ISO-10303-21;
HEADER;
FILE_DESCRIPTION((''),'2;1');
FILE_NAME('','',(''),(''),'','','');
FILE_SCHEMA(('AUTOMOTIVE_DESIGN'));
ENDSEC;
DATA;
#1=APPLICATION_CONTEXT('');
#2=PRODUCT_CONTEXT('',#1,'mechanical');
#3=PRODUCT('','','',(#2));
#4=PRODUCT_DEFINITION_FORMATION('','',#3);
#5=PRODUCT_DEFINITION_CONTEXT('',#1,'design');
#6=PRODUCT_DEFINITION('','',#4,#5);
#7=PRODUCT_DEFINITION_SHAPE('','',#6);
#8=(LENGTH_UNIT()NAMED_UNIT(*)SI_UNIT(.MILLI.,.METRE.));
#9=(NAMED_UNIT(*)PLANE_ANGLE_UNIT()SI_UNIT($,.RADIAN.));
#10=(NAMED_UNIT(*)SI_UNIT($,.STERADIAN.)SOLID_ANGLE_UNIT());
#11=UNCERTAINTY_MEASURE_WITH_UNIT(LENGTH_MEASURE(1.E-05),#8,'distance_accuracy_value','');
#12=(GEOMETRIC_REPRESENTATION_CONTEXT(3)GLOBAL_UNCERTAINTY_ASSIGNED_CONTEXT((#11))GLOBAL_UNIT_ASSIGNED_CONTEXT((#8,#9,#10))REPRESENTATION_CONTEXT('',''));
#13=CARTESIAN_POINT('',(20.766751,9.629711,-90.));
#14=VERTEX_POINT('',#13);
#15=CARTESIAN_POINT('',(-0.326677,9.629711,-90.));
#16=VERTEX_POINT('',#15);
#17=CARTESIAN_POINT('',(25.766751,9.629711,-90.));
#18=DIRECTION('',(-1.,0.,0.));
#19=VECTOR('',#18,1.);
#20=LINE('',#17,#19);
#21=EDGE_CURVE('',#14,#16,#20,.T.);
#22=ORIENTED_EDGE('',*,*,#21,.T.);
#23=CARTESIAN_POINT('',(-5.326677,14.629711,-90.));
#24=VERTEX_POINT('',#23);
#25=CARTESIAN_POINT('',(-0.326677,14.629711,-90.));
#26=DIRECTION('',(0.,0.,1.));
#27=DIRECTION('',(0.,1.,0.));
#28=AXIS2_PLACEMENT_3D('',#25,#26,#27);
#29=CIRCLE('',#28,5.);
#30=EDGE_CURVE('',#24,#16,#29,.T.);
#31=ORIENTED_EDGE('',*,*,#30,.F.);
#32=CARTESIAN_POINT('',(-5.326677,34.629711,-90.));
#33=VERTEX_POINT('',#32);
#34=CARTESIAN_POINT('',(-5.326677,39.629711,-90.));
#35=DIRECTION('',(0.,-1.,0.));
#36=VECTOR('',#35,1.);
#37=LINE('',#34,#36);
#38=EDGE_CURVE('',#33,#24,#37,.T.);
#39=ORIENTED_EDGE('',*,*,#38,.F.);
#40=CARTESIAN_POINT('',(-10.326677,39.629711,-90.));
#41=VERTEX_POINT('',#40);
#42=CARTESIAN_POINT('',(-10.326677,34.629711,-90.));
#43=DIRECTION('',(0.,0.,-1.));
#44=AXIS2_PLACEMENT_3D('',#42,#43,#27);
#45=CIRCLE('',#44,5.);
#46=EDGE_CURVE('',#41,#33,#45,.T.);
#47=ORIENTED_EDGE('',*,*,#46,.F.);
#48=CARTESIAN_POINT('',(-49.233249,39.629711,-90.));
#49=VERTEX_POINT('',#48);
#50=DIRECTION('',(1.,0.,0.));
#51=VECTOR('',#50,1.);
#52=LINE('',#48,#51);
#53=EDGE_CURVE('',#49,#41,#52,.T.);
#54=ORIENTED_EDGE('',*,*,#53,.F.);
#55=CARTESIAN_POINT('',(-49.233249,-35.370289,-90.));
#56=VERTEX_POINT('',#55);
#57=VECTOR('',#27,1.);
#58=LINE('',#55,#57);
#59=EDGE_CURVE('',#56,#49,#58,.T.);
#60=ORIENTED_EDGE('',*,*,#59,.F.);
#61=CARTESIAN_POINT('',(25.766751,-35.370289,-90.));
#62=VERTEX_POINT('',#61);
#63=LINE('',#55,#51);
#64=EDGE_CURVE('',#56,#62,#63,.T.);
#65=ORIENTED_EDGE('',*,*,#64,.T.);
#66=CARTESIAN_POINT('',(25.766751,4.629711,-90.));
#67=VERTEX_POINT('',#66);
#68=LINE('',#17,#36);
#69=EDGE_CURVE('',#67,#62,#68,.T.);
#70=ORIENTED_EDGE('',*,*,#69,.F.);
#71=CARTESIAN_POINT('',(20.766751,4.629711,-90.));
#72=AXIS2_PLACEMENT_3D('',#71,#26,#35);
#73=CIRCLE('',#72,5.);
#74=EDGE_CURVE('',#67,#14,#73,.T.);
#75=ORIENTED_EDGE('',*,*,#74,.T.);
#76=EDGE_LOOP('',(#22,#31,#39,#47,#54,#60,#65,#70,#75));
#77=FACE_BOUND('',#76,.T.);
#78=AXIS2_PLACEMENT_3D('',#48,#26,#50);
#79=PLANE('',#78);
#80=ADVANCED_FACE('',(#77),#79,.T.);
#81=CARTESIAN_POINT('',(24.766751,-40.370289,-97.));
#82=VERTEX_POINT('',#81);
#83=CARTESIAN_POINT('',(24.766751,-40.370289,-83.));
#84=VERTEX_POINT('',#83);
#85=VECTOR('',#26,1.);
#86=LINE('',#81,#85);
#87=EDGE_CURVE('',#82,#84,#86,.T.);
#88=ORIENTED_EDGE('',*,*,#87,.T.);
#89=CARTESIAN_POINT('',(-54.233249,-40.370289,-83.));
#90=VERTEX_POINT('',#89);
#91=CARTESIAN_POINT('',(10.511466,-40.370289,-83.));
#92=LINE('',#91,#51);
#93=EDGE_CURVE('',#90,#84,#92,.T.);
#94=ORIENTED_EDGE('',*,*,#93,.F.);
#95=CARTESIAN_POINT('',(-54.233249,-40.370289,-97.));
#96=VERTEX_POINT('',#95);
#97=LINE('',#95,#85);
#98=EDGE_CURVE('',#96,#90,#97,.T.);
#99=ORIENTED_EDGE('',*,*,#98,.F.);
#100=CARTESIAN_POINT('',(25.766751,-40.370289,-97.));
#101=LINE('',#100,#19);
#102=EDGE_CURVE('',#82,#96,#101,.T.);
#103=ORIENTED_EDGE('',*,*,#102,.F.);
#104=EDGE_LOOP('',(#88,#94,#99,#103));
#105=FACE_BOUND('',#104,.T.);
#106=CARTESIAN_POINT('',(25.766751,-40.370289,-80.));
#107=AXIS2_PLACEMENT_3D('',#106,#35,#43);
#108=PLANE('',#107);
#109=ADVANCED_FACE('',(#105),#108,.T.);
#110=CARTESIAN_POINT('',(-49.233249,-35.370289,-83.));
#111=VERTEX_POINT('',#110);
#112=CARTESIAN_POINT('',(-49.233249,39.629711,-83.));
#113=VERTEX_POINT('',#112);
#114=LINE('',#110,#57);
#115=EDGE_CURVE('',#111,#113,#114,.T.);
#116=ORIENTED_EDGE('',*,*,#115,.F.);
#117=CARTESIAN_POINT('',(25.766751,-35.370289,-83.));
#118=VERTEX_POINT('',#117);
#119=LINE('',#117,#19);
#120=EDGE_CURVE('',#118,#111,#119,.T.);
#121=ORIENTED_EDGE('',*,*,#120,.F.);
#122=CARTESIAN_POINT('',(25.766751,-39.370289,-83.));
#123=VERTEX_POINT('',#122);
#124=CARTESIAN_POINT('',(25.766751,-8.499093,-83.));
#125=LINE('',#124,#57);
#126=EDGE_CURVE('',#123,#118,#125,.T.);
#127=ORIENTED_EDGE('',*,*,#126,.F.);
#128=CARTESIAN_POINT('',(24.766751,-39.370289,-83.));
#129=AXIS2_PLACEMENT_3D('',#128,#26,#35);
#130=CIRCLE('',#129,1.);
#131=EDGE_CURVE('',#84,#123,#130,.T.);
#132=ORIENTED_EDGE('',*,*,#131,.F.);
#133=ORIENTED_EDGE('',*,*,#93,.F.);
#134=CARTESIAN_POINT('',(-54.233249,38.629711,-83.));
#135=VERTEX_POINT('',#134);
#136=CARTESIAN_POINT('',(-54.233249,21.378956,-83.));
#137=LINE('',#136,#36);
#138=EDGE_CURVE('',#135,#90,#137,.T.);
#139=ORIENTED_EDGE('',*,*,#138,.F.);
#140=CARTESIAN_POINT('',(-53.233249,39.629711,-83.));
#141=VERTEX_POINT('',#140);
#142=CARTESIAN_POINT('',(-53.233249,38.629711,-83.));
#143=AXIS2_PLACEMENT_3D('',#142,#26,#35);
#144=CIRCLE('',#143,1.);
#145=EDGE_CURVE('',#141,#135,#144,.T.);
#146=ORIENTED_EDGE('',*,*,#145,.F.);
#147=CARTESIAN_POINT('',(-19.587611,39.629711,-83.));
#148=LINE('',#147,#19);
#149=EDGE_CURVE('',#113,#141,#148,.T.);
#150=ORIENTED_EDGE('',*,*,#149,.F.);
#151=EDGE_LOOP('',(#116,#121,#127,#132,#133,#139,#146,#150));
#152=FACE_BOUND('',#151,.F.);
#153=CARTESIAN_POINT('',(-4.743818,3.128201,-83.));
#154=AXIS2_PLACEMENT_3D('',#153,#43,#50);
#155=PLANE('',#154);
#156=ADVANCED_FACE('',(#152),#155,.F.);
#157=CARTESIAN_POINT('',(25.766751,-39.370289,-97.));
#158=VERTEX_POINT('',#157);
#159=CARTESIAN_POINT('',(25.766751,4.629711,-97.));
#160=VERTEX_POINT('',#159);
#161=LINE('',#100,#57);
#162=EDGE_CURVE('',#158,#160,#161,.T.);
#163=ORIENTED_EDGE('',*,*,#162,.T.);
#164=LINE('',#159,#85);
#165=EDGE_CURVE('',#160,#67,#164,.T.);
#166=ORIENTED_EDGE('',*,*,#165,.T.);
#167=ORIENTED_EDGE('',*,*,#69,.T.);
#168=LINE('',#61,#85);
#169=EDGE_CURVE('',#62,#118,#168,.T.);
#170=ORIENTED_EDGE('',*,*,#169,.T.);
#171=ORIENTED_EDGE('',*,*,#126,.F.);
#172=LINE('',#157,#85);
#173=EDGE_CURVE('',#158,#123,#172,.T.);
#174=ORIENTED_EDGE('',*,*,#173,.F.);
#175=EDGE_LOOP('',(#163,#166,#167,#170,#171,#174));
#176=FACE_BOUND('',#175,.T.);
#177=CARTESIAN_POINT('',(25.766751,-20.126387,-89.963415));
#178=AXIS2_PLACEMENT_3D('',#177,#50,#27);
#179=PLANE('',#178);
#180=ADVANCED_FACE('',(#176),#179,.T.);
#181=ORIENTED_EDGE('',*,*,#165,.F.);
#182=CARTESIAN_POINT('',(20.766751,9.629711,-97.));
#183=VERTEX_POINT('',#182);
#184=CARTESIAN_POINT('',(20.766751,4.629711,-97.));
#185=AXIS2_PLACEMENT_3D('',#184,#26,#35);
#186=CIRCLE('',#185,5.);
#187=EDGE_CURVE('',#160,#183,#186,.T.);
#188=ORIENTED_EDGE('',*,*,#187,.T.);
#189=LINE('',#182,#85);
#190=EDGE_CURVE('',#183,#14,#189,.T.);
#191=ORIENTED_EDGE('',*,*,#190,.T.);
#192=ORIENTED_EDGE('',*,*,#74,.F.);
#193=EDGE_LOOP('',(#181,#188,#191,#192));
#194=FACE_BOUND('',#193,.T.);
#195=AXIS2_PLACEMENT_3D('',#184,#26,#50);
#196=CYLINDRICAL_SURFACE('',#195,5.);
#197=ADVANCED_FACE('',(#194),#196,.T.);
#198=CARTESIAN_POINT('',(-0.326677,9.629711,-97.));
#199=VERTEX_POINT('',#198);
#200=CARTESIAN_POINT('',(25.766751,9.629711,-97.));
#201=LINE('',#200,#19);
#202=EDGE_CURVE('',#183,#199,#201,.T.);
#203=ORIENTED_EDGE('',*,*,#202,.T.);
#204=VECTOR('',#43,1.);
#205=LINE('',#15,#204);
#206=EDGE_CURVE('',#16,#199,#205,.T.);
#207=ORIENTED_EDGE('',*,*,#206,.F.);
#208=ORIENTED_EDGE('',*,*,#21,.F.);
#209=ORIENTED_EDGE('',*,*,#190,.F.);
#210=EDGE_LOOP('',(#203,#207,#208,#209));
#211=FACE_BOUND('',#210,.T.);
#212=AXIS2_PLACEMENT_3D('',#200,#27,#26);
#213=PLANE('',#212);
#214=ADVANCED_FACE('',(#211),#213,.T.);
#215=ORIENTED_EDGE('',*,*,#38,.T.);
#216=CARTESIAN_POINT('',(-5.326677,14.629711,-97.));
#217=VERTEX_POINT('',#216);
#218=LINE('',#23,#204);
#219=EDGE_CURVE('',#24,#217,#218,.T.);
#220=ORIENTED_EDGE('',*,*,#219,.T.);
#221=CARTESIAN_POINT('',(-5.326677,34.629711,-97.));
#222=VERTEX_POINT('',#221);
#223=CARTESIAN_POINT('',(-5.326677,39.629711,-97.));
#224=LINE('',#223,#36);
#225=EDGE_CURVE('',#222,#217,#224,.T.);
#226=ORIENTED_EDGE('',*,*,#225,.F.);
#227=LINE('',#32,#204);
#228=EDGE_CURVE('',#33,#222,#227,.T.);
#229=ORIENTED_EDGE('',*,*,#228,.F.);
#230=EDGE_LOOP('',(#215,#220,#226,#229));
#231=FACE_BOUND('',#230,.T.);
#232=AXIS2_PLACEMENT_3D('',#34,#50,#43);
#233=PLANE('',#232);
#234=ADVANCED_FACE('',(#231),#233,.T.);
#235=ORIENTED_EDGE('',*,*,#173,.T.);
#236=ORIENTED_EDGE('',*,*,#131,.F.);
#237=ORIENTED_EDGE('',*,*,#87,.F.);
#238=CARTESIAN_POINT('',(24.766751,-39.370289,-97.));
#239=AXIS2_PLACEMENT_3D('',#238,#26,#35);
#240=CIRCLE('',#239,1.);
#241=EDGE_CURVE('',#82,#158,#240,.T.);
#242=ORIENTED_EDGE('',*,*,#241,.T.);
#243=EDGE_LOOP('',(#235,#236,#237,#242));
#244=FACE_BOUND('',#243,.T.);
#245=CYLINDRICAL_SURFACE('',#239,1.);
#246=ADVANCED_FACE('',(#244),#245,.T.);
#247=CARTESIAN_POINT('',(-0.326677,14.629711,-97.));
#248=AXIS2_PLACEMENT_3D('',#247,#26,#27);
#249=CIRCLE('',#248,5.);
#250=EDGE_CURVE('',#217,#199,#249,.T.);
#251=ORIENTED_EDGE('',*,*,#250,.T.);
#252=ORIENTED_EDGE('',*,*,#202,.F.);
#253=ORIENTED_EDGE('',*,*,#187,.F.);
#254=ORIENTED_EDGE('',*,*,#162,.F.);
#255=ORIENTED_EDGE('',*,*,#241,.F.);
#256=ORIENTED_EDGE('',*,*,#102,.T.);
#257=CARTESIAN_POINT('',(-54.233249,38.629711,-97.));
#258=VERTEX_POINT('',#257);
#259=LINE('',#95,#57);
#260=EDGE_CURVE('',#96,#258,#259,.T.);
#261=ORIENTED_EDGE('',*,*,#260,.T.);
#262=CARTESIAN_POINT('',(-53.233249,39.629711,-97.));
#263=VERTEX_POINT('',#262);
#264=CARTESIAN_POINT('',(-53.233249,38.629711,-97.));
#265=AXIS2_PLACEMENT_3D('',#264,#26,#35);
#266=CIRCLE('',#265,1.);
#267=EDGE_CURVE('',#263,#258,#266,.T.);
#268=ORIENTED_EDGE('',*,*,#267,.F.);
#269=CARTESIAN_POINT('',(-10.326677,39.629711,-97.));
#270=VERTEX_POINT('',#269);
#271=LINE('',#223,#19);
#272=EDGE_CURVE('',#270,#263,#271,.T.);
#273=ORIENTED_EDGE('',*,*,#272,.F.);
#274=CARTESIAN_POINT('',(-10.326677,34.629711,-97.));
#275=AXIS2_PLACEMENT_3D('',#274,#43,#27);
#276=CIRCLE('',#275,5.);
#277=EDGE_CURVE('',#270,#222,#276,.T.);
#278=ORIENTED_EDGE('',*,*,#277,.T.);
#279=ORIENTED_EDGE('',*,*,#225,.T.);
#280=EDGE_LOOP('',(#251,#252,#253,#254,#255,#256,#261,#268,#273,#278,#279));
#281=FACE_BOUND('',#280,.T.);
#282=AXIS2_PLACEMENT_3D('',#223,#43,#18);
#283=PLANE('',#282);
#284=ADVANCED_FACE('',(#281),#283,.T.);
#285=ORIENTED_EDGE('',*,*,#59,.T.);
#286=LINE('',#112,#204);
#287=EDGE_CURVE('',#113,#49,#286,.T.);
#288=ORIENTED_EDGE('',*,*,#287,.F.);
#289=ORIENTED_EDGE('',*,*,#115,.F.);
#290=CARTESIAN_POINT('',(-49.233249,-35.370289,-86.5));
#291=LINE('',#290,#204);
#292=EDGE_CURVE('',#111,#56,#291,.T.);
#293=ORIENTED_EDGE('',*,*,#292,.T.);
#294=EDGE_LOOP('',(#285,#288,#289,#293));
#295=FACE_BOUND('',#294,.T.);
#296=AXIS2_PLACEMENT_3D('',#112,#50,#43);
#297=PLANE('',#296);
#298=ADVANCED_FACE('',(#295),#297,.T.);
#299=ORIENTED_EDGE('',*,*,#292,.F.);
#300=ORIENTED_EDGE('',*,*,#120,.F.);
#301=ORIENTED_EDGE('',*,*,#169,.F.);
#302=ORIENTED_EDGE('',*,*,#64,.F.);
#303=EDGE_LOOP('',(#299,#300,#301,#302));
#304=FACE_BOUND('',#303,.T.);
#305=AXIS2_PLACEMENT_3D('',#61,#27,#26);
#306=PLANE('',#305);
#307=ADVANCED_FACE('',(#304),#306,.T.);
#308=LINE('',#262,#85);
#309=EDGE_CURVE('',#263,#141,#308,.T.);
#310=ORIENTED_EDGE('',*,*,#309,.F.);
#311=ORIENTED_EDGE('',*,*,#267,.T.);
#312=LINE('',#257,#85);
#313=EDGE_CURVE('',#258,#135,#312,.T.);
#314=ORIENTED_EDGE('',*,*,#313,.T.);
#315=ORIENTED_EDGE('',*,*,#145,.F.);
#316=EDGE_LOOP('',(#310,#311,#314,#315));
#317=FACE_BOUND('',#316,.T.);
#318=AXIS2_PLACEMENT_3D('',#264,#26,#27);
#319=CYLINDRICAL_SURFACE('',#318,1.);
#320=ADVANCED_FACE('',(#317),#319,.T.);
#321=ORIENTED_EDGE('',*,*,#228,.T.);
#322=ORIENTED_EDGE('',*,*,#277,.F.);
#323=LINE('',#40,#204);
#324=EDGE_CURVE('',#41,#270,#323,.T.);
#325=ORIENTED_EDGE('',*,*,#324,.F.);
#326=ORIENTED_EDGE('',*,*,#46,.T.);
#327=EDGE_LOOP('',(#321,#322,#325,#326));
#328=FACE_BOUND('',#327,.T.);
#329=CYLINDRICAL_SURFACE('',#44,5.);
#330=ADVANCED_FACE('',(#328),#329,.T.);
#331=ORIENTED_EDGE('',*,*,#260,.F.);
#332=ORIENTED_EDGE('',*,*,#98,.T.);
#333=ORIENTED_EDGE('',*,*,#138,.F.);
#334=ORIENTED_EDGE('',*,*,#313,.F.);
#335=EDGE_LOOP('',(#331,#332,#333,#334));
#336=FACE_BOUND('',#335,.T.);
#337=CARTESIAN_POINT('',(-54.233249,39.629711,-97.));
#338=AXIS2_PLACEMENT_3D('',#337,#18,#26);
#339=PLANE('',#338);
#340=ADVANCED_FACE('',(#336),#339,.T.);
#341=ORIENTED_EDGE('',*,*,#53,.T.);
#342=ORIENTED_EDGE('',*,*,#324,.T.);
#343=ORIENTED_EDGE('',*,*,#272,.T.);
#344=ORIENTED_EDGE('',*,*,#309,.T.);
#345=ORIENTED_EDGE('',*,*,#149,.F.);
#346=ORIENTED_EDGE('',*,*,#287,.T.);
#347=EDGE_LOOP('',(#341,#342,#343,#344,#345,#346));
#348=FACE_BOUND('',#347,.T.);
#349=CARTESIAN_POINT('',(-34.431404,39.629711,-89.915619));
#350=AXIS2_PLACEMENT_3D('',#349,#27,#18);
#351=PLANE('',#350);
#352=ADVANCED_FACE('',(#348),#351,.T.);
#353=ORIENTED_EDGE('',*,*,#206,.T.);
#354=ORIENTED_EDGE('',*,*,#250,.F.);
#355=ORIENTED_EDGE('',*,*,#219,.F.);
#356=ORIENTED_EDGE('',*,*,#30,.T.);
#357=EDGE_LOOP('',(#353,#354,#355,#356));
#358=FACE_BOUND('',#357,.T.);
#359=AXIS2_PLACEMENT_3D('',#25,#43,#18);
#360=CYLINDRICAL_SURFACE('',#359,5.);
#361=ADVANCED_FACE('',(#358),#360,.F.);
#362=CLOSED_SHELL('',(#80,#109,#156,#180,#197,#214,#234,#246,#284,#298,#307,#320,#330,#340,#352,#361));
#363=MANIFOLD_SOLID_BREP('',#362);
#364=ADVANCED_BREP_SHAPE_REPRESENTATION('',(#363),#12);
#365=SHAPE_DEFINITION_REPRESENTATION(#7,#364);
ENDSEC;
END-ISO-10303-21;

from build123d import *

# Parameters (mm, degrees)
F1_DEPTH  = 80
F3_DEPTH  = 75
F5_DEPTH  = 80
F7_DEPTH  = 80
F9_W      = 115.3811365366
F9_H      = 141.341894865
F10_DEPTH = 97.9
F11_R     = 5
F12_R     = 1


with BuildPart() as f1:
    # F0 (on Top) → F1 (new body)
    with BuildSketch(Plane.XY):
        Polygon((-41.2332489645, 39.6297108009), (-54.2332489645, 39.6297108009), (-54.2332489645, -40.3702891991), (25.7667510355, -40.3702891991), (25.7667510355, -27.3702891991), (-41.2332489645, -27.3702891991), align=None)
    extrude(amount=-F1_DEPTH)

    # F2 (on face) → F3 (cut)
    with BuildSketch(Plane.XY):
        Polygon((-44.2332489645, 39.6297108009), (-51.2332489645, 39.6297108009), (-51.2332489645, -37.3702891991), (25.7667510355, -37.3702891991), (25.7667510355, -30.3702891991), (-44.2332489645, -30.3702891991), align=None)
    extrude(amount=-F3_DEPTH, mode=Mode.SUBTRACT)

    # F4 (on face) → F5 (join)
    with BuildSketch(Plane.YZ.offset(25.7667510355)):
        Polygon((-27.3702891991, -80), (-40.3702891991, -80), (-40.3702891991, -97), (9.6297108009, -97), (9.6297108009, -90), (-35.3702891991, -90), (-35.3702891991, -83), (-20.3702891991, -83), (-20.3702891991, -80), align=None)
    extrude(amount=-F5_DEPTH)

    # F6 (on face) → F7 (join)
    with BuildSketch(Plane(origin=(0, 39.6297108009, 0), x_dir=(-1, 0, 0), z_dir=(0, 1, 0))):
        Polygon((54.2332489645, -80), (34.2332489645, -80), (34.2332489645, -83), (49.2332489645, -83), (49.2332489645, -90), (5.3266771138, -90), (5.3266771138, -97), (41.2332489645, -97), (54.2332489645, -97), align=None)
    extrude(amount=-F7_DEPTH)

    # F9 (on offset) → F10 (cut)
    with BuildSketch(Plane(origin=(0, 0, -83), x_dir=(1, 0, 0), z_dir=(0, 0, -1))):
        with Locations((-4.7438181937, -3.1282007694)):
            Rectangle(F9_W, F9_H)
    extrude(amount=-F10_DEPTH, mode=Mode.SUBTRACT)

    # F11
    f11_edges = [f1.edges().sort_by_distance(p)[0] for p in [
        (-5.326677, 9.629711, -93.5),
        (-5.326677, 39.629711, -93.5),
        (25.766751, 9.629711, -93.5),
    ]]
    fillet(f11_edges, radius=F11_R)

    # F12
    f12_edges = [f1.edges().sort_by_distance(p)[0] for p in [
        (25.766751, -40.370289, -90),
        (-54.233249, 39.629711, -90),
    ]]
    fillet(f12_edges, radius=F12_R)


solid = f1.part
